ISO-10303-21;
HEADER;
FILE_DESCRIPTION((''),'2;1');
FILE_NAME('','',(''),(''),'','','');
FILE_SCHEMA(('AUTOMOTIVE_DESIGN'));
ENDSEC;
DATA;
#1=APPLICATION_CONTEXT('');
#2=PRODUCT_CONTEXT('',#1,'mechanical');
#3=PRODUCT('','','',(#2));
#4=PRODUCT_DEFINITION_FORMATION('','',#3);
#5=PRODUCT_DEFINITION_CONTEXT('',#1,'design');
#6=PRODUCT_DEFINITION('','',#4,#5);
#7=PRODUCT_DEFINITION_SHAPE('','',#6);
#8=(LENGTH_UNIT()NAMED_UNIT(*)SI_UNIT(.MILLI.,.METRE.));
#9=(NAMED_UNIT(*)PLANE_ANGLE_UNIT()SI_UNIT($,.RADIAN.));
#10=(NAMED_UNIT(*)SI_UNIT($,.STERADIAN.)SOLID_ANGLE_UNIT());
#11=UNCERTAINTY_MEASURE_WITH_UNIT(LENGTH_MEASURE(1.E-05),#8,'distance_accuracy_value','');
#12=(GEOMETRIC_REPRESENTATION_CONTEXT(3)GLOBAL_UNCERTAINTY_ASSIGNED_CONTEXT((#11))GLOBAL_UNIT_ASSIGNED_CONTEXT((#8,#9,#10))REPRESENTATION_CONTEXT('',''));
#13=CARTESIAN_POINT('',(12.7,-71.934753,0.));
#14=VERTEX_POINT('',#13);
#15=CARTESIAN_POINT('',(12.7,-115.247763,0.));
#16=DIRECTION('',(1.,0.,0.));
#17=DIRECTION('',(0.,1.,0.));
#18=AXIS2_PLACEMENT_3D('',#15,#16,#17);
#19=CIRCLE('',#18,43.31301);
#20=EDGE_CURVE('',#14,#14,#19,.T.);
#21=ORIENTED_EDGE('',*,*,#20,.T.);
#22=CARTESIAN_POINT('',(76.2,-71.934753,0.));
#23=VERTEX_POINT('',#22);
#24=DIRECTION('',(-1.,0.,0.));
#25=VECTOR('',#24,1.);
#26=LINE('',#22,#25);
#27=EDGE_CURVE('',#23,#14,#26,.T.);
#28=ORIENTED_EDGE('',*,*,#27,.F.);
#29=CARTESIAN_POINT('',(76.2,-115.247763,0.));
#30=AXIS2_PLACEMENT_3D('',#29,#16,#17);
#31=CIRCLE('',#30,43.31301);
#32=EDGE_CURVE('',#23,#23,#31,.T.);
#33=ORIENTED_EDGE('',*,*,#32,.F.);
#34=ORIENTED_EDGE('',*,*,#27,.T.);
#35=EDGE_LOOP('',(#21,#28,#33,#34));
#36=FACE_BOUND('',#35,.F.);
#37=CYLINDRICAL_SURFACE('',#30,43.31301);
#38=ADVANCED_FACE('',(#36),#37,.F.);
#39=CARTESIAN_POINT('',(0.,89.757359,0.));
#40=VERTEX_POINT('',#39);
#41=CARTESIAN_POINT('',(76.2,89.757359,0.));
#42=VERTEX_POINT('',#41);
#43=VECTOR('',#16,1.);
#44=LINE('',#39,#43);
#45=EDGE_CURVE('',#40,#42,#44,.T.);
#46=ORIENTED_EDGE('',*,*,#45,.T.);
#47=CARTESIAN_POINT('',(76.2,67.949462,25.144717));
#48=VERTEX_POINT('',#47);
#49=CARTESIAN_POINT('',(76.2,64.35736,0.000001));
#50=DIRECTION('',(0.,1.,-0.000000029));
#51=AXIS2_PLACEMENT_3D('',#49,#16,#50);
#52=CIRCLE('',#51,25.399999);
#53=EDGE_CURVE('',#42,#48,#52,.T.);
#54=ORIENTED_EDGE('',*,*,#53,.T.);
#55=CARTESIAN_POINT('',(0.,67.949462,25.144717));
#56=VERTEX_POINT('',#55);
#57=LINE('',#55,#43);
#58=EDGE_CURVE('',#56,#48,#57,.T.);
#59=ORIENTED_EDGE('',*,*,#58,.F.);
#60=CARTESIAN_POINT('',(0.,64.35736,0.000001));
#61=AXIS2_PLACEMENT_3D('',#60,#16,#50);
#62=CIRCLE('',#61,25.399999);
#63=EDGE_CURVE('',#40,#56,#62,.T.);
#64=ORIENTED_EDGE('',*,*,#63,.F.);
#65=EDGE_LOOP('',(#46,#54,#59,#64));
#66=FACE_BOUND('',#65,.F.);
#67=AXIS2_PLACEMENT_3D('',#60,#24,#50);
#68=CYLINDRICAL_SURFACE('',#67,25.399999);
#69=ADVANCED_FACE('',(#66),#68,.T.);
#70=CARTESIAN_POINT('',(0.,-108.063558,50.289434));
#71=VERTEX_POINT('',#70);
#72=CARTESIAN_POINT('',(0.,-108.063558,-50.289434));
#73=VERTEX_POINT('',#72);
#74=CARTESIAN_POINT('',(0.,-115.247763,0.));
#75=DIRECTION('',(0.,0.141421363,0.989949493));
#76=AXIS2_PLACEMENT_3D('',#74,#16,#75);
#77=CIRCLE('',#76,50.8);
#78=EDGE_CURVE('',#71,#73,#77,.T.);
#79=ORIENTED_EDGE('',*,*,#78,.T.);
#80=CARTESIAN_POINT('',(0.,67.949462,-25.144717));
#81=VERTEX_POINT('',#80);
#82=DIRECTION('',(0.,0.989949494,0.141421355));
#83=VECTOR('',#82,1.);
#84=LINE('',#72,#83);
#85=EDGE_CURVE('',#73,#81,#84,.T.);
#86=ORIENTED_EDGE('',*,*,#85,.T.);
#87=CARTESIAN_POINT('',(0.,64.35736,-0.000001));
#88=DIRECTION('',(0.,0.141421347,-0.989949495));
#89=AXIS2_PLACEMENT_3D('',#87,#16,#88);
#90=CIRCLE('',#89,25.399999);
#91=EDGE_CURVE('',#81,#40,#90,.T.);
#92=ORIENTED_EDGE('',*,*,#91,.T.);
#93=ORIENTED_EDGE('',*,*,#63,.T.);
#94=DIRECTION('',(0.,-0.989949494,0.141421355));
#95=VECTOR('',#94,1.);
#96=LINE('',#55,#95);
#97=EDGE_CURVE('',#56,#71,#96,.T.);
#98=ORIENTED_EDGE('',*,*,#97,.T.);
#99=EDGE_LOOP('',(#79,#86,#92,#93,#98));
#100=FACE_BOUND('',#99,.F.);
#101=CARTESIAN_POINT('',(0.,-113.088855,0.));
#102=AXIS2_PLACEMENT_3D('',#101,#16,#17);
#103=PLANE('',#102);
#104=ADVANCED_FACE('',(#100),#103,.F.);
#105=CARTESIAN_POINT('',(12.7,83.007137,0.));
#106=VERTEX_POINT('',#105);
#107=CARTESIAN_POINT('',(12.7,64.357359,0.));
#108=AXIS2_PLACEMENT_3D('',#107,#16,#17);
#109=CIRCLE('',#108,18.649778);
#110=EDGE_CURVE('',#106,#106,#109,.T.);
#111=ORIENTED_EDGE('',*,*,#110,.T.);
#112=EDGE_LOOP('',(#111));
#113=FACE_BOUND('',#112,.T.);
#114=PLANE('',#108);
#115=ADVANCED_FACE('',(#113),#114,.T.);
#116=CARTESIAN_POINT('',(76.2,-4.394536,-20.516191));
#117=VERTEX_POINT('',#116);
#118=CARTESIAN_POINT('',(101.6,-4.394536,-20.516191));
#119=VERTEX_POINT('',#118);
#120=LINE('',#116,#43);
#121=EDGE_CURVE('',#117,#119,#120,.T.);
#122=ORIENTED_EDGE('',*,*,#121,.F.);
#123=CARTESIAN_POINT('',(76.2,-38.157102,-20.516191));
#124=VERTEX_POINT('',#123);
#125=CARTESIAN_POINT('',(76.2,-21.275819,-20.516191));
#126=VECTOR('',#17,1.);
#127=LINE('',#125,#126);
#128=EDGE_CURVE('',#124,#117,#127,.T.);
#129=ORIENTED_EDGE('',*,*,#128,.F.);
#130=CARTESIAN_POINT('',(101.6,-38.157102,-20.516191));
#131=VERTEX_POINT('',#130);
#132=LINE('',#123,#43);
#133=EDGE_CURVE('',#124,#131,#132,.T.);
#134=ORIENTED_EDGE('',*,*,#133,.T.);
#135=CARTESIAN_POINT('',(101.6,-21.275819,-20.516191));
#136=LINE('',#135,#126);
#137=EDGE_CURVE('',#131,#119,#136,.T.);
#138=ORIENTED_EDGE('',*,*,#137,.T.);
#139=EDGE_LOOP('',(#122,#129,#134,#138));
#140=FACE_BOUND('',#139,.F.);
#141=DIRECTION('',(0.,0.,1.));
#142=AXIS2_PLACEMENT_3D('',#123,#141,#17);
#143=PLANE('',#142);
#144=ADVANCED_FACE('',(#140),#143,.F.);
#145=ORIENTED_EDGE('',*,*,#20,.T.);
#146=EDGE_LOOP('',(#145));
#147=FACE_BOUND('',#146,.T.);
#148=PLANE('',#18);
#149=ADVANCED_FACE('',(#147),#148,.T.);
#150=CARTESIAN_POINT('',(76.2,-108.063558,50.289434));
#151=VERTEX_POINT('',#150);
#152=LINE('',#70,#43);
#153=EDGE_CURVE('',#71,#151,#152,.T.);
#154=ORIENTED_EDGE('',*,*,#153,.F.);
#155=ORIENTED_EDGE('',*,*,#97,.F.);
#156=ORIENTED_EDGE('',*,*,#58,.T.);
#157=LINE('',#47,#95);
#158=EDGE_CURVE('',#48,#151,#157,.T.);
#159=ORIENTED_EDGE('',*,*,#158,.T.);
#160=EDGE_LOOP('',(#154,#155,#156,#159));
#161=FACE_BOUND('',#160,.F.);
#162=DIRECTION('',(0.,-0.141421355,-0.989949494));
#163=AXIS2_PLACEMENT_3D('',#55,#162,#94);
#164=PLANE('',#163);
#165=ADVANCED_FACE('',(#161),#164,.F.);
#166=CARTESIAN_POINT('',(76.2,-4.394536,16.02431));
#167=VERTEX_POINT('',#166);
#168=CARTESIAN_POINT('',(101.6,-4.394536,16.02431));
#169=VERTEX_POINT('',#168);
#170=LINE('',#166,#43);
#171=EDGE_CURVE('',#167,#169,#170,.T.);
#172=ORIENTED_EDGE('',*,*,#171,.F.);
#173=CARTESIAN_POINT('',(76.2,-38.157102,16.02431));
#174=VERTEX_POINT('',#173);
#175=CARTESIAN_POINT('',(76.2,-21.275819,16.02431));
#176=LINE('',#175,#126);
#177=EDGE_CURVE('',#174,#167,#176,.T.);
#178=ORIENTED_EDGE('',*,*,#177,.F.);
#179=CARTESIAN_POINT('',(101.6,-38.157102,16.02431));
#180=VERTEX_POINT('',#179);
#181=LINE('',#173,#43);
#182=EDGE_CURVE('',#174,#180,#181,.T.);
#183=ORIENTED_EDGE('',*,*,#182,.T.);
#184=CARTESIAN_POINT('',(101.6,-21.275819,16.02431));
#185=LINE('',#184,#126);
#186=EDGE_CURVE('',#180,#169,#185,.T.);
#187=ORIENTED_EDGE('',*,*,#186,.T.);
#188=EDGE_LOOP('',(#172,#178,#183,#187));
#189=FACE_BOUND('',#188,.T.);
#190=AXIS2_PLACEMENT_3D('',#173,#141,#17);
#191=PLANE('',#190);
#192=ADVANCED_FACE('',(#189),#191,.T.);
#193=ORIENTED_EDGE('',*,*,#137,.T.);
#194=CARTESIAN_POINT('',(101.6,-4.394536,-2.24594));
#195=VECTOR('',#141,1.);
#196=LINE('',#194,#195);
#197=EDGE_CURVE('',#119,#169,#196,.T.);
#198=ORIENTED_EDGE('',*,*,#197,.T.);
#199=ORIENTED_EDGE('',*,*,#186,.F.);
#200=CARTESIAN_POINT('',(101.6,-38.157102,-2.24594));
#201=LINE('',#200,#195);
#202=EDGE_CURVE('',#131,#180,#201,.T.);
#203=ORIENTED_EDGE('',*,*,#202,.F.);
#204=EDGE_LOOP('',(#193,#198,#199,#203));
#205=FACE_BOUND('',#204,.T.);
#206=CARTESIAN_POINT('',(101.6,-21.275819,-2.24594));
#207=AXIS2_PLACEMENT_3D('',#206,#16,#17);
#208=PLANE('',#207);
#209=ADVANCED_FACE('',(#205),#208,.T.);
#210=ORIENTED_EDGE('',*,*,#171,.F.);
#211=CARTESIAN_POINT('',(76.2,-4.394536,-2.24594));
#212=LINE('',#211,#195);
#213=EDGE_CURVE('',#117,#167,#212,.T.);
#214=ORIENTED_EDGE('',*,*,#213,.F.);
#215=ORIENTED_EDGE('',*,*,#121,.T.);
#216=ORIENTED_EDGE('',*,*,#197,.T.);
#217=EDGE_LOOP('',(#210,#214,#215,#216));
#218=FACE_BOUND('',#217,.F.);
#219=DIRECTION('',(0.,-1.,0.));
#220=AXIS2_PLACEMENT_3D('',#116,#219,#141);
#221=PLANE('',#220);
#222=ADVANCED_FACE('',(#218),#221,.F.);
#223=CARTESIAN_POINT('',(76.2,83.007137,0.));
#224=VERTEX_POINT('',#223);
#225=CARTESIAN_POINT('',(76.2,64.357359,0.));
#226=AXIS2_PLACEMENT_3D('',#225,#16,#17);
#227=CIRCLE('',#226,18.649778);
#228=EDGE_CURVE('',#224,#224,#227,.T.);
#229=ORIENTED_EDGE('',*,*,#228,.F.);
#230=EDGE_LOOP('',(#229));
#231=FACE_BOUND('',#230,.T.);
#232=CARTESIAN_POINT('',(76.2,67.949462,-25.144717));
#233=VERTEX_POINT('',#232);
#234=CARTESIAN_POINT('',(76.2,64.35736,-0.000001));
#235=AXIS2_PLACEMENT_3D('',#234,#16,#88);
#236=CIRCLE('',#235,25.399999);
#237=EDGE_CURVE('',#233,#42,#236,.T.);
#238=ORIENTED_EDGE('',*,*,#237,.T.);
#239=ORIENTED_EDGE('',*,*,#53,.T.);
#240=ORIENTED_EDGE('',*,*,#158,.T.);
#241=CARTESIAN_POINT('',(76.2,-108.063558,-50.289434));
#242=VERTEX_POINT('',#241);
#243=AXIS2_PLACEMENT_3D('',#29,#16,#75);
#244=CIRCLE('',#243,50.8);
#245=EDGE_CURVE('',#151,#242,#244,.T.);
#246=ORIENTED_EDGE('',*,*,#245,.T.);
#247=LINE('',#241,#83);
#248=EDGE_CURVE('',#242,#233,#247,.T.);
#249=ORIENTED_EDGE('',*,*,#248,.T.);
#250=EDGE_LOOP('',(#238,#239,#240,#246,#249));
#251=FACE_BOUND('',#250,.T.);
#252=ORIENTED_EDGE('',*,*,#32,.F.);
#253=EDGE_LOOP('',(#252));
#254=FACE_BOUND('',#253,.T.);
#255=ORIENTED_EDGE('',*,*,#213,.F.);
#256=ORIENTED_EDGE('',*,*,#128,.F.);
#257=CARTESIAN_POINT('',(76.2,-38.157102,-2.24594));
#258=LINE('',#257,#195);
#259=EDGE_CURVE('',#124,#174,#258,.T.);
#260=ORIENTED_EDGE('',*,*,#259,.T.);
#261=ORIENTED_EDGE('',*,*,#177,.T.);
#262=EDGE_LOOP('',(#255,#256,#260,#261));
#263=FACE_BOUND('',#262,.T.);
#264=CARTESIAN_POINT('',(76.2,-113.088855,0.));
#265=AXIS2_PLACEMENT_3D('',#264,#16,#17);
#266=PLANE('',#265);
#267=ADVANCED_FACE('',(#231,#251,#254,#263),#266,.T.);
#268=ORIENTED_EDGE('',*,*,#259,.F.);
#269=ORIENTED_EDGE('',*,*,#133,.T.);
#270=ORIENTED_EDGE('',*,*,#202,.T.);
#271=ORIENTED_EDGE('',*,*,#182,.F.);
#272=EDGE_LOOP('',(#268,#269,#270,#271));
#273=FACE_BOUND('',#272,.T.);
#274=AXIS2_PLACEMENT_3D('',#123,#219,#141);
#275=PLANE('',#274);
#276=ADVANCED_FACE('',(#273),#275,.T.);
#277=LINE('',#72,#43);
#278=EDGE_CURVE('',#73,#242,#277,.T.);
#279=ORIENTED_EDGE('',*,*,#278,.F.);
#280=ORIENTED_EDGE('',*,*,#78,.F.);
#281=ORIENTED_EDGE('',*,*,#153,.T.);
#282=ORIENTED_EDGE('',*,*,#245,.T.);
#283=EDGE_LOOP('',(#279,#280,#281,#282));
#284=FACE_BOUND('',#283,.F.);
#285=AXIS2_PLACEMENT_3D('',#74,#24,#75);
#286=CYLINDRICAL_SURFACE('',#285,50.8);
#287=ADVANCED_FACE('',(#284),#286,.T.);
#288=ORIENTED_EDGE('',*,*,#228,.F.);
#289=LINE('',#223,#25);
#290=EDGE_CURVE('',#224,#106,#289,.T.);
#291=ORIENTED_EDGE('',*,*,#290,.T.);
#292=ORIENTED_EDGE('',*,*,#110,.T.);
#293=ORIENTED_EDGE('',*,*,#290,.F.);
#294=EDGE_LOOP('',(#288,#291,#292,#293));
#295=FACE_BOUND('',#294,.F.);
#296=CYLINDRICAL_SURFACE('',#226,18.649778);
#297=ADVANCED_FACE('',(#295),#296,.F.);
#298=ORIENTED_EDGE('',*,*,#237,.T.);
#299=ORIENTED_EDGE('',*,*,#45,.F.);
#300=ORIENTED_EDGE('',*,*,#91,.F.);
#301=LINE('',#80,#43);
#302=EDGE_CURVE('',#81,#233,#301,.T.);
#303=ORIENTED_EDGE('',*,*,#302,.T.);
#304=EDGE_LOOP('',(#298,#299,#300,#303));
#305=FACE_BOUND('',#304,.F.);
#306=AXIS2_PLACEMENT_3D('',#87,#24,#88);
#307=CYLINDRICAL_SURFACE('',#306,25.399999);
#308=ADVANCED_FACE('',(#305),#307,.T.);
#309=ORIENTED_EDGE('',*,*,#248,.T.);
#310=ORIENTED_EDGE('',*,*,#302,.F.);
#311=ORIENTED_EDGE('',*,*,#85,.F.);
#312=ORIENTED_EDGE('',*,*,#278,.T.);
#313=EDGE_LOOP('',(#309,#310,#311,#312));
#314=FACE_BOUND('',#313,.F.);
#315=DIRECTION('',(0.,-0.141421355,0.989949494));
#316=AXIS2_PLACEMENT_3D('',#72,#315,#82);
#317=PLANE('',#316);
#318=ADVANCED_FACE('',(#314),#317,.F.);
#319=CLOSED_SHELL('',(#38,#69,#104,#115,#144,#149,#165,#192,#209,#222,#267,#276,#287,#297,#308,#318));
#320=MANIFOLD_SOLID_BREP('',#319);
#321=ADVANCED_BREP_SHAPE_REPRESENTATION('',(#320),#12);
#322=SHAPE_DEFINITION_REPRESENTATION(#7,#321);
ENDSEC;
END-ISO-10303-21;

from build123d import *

# Parameters (mm, degrees)
F1_DEPTH = 76.2
F2_R     = 43.31301
F2_R_2   = 18.649778
F3_DEPTH = 63.5
F4_W     = 33.762566
F4_H     = 36.540501
F5_DEPTH = 25.4


with BuildPart() as f1:
    # F0 (on Right) → F1 (new body)
    with BuildSketch(Plane.YZ):
        with BuildLine():
            ThreePointArc((-108.063558, -50.289434), (-76.870702, -33.284248), (-64.447763, 0))
            ThreePointArc((-64.447763, 0), (-76.870702, 33.284248), (-108.063558, 50.289434))
            ThreePointArc((-108.063558, 50.289434), (-166.047763, 0), (-108.063558, -50.289434))
        make_face()
        with BuildLine():
            ThreePointArc((-108.063558, 50.289434), (-76.870702, 33.284248), (-64.447763, 0))
            ThreePointArc((-64.447763, 0), (-76.870702, -33.284248), (-108.063558, -50.289434))
            Line((-108.063558, -50.289434), (67.949462, -25.144717))
            ThreePointArc((67.949462, -25.144717), (38.957359, 0), (67.949462, 25.144717))
            Line((67.949462, 25.144717), (-108.063558, 50.289434))
        make_face()
        with BuildLine():
            ThreePointArc((89.757359, 0), (83.54589, 16.642124), (67.949462, 25.144717))
            ThreePointArc((67.949462, 25.144717), (38.957359, 0), (67.949462, -25.144717))
            ThreePointArc((67.949462, -25.144717), (83.54589, -16.642124), (89.757359, 0))
        make_face()
    extrude(amount=F1_DEPTH)

    # F2 (on face) → F3 (cut)
    with BuildSketch(Plane.YZ.offset(76.2)):
        with Locations((-115.247763, 0)):
            Circle(F2_R)
        with Locations((64.357359, 0)):
            Circle(F2_R_2)
    extrude(amount=-F3_DEPTH, mode=Mode.SUBTRACT)

    # F4 (on face) → F5 (join)
    with BuildSketch(Plane.YZ.offset(76.2)):
        with Locations((-21.275819, -2.24594)):
            Rectangle(F4_W, F4_H)
    extrude(amount=F5_DEPTH)


solid = f1.part
